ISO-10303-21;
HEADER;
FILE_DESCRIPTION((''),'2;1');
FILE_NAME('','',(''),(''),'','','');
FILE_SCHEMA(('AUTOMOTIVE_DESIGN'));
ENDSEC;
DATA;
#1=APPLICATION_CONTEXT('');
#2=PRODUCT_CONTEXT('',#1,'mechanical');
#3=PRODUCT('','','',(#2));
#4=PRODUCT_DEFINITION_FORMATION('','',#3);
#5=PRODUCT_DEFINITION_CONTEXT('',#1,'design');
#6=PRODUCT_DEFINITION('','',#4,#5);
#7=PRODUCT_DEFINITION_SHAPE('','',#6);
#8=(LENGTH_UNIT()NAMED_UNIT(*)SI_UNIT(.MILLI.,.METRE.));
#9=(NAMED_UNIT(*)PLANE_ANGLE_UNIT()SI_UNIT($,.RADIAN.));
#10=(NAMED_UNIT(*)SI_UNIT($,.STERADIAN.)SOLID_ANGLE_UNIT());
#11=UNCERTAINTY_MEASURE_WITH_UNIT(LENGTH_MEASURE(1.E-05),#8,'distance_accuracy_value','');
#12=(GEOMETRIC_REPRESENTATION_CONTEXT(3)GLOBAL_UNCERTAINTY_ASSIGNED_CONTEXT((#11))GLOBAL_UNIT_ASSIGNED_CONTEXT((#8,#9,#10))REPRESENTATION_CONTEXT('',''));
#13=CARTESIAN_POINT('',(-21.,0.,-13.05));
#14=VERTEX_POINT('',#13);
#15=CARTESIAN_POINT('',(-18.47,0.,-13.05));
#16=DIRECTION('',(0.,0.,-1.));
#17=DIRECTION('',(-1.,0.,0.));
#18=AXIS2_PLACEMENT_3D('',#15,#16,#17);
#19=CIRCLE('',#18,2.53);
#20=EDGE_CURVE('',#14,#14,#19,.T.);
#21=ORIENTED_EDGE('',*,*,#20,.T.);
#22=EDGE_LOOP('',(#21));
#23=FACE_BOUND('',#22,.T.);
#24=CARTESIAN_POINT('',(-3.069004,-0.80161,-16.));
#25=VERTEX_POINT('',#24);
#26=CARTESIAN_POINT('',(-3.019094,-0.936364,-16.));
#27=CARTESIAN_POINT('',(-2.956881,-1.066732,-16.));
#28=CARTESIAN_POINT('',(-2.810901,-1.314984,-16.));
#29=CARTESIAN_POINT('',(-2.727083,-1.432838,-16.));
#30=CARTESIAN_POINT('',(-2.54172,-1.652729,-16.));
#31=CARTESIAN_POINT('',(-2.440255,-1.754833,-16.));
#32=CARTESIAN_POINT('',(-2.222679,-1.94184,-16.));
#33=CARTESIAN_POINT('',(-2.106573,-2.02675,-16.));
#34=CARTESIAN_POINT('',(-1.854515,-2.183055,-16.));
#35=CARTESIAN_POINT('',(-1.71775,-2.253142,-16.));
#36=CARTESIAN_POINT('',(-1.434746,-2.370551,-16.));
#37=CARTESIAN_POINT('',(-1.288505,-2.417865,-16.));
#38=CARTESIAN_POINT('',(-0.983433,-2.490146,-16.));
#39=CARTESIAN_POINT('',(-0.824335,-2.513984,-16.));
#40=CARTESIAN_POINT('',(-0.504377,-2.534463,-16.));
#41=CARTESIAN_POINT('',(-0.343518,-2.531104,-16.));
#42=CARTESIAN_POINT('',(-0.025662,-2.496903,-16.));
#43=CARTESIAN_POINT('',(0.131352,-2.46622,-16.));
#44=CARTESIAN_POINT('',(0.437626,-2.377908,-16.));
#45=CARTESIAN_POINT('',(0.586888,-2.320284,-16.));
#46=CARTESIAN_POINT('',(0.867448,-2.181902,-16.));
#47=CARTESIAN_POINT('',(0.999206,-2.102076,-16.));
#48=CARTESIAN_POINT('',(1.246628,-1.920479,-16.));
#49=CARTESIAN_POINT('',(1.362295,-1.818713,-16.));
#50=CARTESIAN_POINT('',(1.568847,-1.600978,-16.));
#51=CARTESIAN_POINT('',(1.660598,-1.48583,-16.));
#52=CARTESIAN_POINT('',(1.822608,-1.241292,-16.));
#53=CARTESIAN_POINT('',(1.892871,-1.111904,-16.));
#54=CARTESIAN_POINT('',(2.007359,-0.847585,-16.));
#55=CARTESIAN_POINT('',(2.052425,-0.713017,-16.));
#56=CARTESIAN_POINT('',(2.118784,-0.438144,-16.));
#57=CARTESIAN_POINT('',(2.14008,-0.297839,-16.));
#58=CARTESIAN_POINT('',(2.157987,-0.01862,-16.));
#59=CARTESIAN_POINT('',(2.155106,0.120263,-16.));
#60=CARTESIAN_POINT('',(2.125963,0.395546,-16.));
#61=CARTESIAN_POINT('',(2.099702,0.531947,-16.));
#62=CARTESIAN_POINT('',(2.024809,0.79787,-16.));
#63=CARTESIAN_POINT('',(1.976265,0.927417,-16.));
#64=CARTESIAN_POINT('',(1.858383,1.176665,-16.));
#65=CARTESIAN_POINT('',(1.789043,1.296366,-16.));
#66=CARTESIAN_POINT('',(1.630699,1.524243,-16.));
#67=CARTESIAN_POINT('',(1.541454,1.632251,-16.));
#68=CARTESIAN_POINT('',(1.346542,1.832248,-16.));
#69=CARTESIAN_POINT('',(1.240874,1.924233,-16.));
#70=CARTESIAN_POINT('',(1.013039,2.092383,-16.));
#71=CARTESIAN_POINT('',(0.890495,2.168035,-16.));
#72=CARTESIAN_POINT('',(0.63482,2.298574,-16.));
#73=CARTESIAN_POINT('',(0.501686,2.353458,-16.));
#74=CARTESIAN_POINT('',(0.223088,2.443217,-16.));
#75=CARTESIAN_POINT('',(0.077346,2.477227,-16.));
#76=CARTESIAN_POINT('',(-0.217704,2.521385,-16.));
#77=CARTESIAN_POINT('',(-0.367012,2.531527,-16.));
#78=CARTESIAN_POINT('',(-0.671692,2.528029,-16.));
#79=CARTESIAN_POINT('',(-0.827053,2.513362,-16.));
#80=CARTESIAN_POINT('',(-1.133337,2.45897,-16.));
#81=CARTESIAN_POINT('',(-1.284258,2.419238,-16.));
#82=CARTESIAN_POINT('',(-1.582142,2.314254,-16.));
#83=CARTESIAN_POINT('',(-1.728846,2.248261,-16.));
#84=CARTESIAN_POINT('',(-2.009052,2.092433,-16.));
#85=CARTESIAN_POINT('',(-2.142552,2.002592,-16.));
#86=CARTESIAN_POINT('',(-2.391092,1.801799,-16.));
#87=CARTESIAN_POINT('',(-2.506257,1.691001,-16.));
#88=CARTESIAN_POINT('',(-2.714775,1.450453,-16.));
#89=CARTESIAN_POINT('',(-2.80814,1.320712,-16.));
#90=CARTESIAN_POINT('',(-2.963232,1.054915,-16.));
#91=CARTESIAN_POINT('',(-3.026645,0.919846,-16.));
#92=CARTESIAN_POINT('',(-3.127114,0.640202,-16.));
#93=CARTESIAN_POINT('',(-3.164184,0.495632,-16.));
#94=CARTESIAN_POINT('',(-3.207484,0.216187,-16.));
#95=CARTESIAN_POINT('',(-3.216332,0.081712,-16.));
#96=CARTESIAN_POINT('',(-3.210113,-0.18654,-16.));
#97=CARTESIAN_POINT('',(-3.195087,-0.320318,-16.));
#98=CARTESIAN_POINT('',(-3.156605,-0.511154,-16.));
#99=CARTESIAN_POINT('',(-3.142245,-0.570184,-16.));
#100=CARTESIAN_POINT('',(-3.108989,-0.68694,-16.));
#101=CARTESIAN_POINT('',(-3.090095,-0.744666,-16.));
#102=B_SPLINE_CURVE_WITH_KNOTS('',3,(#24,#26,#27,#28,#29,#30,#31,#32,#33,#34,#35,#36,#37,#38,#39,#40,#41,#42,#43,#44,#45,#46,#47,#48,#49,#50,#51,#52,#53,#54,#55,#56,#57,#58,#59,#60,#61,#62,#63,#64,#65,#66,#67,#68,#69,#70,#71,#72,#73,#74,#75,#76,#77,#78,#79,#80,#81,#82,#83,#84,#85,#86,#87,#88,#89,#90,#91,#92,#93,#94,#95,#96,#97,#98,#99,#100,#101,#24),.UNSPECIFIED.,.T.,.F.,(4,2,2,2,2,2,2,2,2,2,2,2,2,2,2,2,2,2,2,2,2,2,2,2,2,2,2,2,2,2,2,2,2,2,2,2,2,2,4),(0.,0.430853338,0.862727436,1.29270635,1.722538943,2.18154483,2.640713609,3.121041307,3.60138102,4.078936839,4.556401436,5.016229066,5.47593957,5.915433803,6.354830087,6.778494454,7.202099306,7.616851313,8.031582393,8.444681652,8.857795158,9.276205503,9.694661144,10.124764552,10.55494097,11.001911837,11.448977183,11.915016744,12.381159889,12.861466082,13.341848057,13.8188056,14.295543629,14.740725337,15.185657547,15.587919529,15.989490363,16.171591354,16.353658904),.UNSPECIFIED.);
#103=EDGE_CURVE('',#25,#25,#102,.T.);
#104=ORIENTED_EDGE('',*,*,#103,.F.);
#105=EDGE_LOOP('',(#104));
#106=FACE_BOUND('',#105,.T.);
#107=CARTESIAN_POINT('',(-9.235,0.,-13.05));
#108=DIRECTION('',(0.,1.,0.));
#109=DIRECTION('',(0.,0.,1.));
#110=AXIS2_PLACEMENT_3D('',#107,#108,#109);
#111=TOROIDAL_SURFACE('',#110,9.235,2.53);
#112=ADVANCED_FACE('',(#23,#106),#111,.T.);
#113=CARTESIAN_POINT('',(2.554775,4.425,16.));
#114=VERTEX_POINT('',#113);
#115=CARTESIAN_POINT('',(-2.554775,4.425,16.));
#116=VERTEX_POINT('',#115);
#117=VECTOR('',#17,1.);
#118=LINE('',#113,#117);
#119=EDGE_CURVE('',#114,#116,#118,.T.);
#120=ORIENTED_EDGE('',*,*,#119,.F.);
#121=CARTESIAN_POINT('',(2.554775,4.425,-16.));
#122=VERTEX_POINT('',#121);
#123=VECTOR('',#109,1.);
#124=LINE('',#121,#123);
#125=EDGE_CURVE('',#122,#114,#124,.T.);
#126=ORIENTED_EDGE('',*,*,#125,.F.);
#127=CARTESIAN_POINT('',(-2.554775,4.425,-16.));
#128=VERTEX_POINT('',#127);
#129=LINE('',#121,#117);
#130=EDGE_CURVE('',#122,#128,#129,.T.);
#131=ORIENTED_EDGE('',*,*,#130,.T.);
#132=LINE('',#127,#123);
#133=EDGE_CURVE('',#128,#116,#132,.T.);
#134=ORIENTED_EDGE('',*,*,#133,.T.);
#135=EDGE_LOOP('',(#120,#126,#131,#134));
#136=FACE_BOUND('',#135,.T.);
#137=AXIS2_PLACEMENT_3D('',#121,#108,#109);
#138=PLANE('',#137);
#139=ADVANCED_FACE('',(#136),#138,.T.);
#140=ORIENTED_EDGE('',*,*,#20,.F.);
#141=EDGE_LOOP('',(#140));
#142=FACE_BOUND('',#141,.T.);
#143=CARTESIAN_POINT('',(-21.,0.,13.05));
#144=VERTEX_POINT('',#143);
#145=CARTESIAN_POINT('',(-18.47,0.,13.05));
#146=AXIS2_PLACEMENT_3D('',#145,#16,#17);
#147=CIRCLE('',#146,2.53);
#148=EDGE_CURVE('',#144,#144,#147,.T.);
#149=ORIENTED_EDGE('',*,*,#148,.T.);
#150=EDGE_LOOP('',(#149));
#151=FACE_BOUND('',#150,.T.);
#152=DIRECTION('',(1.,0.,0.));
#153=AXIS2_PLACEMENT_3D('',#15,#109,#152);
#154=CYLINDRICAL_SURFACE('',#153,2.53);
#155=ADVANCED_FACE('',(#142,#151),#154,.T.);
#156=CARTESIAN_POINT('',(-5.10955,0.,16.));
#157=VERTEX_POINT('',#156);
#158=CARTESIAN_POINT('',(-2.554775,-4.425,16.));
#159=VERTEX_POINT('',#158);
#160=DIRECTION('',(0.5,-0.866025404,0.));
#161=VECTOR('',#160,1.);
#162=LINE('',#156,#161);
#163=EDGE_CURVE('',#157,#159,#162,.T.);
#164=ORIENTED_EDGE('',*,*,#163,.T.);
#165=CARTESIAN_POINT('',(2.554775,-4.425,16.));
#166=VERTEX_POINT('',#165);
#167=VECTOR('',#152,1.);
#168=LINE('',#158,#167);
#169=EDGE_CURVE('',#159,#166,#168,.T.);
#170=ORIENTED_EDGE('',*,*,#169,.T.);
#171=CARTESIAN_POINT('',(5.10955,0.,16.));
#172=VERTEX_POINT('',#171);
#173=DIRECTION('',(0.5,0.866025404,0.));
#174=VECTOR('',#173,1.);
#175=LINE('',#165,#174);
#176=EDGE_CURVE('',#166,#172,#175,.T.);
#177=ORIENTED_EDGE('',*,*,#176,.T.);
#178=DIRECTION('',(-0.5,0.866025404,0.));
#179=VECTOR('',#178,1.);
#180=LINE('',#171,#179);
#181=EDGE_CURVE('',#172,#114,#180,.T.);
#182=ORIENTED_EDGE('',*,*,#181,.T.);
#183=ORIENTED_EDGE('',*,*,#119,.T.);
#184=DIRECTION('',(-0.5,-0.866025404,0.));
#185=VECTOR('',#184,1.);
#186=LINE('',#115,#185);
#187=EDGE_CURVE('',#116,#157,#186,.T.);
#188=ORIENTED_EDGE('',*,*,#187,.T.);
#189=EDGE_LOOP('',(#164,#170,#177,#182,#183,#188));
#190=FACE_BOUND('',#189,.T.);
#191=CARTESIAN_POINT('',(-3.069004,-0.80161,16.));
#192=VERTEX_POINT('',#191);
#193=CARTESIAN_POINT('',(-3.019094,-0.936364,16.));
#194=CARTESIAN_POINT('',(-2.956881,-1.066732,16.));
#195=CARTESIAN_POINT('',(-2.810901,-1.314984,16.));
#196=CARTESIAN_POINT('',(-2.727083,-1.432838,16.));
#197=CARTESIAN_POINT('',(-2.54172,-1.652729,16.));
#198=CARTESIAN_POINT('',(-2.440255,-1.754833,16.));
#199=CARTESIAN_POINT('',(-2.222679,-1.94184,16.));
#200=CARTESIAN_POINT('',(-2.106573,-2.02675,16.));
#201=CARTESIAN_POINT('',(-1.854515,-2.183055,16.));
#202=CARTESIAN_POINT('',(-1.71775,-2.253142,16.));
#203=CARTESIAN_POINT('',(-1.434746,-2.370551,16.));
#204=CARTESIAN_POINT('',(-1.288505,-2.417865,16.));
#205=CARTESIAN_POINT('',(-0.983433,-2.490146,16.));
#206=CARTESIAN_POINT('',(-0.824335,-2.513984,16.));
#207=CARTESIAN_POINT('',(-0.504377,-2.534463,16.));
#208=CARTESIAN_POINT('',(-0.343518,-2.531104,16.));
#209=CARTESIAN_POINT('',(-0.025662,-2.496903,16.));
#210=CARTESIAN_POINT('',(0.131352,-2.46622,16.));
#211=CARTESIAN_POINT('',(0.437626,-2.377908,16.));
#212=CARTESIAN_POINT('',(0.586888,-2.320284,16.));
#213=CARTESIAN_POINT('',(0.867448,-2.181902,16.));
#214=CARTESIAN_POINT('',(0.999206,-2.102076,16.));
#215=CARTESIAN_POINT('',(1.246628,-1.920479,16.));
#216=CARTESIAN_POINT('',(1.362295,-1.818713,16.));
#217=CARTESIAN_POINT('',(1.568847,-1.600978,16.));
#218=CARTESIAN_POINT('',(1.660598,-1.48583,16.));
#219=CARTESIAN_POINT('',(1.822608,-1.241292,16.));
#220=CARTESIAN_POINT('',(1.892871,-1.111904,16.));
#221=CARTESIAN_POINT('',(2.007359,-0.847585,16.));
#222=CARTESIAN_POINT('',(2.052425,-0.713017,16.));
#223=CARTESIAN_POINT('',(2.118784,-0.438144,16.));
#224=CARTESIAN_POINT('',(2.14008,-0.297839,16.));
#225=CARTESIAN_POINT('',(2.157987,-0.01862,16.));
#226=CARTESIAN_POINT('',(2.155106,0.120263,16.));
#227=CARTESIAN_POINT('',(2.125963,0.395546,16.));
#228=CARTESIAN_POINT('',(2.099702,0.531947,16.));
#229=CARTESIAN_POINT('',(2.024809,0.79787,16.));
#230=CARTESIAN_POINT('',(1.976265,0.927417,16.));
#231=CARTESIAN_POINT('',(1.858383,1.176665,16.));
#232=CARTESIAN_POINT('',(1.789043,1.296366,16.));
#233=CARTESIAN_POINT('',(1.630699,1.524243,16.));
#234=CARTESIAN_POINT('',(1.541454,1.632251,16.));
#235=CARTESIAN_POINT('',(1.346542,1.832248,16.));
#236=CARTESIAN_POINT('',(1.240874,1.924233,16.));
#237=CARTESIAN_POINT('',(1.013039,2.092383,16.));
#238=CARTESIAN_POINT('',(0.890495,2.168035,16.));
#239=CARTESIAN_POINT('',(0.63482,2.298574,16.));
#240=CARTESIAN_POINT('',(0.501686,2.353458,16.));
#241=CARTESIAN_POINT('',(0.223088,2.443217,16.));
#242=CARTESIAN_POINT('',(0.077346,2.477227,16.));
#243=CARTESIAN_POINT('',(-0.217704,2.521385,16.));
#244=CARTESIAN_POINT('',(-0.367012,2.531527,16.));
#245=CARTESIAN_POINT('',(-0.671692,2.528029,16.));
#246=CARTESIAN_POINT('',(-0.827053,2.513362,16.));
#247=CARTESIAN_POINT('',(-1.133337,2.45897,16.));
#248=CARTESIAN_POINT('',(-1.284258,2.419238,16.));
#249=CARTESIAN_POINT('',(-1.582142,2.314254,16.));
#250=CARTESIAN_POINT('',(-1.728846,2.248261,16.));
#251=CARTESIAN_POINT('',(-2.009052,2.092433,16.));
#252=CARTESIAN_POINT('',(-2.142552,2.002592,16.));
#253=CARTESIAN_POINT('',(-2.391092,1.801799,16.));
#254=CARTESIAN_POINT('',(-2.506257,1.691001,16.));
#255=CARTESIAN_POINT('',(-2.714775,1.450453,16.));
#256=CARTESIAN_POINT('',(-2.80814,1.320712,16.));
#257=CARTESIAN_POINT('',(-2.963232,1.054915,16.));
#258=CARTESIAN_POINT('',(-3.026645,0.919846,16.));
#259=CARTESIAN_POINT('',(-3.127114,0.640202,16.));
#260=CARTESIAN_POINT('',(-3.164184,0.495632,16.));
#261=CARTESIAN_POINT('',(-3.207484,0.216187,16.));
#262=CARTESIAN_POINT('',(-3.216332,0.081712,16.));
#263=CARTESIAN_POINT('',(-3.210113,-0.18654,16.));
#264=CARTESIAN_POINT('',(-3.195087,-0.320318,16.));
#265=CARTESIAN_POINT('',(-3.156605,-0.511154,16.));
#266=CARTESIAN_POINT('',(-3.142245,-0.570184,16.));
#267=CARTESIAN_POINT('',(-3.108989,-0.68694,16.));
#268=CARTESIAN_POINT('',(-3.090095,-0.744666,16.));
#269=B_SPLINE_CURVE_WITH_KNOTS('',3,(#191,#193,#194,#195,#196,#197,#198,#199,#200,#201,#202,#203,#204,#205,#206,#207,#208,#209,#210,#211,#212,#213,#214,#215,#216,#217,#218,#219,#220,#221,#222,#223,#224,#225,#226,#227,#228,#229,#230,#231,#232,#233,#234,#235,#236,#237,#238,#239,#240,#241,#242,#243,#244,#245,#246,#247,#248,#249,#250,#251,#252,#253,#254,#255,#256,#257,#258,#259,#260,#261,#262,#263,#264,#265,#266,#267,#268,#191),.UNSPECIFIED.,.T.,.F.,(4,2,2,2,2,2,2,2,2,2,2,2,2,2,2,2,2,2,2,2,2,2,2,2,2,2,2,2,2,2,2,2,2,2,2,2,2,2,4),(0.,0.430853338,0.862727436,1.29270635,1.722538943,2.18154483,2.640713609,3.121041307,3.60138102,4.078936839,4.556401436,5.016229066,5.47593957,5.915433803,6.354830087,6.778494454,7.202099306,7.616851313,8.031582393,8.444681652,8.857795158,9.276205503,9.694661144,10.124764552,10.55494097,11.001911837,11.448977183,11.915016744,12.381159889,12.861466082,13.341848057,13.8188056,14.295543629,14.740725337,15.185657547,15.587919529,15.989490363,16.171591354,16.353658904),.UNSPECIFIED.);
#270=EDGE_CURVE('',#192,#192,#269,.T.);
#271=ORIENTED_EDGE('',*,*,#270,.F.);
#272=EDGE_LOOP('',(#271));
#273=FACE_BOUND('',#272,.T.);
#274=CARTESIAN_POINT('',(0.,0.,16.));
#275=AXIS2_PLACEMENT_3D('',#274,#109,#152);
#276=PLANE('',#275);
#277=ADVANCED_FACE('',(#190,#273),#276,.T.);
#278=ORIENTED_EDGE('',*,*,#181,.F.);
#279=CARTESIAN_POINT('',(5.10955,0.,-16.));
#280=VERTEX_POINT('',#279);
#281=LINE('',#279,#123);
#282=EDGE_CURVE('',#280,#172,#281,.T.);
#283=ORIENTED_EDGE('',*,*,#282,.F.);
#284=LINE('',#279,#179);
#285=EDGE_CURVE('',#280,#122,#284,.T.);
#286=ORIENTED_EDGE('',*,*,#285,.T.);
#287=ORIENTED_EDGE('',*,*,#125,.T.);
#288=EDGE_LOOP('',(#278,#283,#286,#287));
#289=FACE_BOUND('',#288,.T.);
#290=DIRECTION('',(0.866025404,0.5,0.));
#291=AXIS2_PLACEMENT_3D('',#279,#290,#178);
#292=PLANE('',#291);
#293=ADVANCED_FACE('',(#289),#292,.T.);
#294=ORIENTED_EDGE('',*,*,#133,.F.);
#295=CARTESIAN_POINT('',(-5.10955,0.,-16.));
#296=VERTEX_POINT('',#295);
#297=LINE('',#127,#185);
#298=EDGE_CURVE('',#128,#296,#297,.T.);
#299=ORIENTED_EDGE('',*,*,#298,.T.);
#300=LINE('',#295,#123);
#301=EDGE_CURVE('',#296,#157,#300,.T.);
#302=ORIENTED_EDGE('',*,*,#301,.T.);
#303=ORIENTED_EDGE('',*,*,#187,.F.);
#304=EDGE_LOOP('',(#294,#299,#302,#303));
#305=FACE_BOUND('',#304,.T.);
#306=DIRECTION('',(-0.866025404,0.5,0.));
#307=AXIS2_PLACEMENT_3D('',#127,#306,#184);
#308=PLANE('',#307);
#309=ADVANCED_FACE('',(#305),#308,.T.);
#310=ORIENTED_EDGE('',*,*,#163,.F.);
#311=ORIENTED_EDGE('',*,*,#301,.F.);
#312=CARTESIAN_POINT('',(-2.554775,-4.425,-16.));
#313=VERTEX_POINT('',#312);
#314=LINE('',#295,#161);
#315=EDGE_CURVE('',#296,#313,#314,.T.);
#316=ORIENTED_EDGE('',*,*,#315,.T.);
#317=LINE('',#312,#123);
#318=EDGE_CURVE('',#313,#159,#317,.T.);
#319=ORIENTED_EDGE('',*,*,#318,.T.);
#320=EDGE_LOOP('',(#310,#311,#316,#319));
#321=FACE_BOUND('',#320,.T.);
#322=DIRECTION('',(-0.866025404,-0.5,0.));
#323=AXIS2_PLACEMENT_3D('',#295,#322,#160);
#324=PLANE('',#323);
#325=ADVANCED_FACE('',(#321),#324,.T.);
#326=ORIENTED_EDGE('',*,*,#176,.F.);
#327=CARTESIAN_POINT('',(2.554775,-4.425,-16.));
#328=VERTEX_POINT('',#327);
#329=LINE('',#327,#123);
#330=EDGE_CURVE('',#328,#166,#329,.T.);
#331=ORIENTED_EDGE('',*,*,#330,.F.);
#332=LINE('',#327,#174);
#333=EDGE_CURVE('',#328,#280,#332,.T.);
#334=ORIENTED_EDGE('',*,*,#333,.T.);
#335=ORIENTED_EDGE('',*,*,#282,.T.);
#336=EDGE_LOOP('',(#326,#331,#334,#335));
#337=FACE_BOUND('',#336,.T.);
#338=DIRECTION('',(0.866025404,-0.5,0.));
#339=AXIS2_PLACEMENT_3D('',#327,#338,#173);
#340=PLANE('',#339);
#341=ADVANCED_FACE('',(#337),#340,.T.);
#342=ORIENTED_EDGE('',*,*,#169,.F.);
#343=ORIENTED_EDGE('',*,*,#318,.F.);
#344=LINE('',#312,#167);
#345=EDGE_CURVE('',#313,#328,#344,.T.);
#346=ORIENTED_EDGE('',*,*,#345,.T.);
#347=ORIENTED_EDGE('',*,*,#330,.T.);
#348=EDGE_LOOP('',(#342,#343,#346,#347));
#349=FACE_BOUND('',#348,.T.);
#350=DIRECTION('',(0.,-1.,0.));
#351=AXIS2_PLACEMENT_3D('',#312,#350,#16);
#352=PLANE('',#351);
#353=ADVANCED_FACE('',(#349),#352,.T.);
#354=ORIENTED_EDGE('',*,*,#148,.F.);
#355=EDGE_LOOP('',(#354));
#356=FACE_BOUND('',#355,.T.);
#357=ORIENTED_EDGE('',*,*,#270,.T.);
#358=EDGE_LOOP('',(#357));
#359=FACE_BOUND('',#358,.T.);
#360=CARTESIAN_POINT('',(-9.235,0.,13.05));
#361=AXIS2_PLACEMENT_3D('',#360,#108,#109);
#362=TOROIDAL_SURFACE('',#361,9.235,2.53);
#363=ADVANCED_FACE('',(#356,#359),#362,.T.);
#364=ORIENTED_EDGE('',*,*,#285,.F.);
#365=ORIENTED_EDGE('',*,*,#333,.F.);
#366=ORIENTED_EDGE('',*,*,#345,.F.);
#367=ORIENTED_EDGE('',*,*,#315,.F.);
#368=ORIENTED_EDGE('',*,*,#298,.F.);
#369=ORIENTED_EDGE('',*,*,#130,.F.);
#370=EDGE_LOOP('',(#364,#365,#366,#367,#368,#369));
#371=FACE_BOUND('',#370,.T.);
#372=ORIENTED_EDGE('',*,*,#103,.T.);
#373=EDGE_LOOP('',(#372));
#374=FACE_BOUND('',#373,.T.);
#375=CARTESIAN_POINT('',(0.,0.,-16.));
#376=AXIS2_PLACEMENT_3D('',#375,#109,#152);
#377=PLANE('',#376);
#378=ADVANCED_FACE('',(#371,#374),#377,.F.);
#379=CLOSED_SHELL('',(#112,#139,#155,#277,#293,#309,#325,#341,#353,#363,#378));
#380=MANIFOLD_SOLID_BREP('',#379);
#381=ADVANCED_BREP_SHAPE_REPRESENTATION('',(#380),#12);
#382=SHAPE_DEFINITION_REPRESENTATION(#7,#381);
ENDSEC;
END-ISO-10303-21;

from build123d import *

# Parameters (mm, degrees)
SKETCH1_R                = 2.53
BOSS_EXTRUDE1_DEPTH      = 16
BOSS_EXTRUDE1_DEPTH_BACK = 16


with BuildPart() as part:
    # Sweep1: sweep along a path in Sketch2
    with BuildLine(Plane(origin=(0, 0, 0), x_dir=(1, 0, 0), z_dir=(0, 1, 0))) as sweep1_path:
        Line((0, -13.05), (0, 13.05))
        ThreePointArc((0, 13.05), (-9.235, 22.285), (-18.47, 13.05))
        Line((-18.47, 13.05), (-18.47, -13.05))
        ThreePointArc((-18.47, -13.05), (-9.235, -22.285), (0, -13.05))
    # Sketch1 → Sweep1 (sweep)
    with BuildSketch(Plane.XY):
        Circle(SKETCH1_R)
    sweep(path=sweep1_path.line)

    # Sketch3 → Boss-Extrude1 (add, two sides: drawn at the far end of the back side and taken through both)
    with BuildSketch(Plane.XY.offset(-BOSS_EXTRUDE1_DEPTH_BACK)):
        Polygon((-2.554774941, 4.425), (-5.109549882, 0), (-2.554774941, -4.425), (2.554774941, -4.425), (5.109549882, 0), (2.554774941, 4.425), align=None)
    extrude(amount=BOSS_EXTRUDE1_DEPTH + BOSS_EXTRUDE1_DEPTH_BACK)


solid = part.part
